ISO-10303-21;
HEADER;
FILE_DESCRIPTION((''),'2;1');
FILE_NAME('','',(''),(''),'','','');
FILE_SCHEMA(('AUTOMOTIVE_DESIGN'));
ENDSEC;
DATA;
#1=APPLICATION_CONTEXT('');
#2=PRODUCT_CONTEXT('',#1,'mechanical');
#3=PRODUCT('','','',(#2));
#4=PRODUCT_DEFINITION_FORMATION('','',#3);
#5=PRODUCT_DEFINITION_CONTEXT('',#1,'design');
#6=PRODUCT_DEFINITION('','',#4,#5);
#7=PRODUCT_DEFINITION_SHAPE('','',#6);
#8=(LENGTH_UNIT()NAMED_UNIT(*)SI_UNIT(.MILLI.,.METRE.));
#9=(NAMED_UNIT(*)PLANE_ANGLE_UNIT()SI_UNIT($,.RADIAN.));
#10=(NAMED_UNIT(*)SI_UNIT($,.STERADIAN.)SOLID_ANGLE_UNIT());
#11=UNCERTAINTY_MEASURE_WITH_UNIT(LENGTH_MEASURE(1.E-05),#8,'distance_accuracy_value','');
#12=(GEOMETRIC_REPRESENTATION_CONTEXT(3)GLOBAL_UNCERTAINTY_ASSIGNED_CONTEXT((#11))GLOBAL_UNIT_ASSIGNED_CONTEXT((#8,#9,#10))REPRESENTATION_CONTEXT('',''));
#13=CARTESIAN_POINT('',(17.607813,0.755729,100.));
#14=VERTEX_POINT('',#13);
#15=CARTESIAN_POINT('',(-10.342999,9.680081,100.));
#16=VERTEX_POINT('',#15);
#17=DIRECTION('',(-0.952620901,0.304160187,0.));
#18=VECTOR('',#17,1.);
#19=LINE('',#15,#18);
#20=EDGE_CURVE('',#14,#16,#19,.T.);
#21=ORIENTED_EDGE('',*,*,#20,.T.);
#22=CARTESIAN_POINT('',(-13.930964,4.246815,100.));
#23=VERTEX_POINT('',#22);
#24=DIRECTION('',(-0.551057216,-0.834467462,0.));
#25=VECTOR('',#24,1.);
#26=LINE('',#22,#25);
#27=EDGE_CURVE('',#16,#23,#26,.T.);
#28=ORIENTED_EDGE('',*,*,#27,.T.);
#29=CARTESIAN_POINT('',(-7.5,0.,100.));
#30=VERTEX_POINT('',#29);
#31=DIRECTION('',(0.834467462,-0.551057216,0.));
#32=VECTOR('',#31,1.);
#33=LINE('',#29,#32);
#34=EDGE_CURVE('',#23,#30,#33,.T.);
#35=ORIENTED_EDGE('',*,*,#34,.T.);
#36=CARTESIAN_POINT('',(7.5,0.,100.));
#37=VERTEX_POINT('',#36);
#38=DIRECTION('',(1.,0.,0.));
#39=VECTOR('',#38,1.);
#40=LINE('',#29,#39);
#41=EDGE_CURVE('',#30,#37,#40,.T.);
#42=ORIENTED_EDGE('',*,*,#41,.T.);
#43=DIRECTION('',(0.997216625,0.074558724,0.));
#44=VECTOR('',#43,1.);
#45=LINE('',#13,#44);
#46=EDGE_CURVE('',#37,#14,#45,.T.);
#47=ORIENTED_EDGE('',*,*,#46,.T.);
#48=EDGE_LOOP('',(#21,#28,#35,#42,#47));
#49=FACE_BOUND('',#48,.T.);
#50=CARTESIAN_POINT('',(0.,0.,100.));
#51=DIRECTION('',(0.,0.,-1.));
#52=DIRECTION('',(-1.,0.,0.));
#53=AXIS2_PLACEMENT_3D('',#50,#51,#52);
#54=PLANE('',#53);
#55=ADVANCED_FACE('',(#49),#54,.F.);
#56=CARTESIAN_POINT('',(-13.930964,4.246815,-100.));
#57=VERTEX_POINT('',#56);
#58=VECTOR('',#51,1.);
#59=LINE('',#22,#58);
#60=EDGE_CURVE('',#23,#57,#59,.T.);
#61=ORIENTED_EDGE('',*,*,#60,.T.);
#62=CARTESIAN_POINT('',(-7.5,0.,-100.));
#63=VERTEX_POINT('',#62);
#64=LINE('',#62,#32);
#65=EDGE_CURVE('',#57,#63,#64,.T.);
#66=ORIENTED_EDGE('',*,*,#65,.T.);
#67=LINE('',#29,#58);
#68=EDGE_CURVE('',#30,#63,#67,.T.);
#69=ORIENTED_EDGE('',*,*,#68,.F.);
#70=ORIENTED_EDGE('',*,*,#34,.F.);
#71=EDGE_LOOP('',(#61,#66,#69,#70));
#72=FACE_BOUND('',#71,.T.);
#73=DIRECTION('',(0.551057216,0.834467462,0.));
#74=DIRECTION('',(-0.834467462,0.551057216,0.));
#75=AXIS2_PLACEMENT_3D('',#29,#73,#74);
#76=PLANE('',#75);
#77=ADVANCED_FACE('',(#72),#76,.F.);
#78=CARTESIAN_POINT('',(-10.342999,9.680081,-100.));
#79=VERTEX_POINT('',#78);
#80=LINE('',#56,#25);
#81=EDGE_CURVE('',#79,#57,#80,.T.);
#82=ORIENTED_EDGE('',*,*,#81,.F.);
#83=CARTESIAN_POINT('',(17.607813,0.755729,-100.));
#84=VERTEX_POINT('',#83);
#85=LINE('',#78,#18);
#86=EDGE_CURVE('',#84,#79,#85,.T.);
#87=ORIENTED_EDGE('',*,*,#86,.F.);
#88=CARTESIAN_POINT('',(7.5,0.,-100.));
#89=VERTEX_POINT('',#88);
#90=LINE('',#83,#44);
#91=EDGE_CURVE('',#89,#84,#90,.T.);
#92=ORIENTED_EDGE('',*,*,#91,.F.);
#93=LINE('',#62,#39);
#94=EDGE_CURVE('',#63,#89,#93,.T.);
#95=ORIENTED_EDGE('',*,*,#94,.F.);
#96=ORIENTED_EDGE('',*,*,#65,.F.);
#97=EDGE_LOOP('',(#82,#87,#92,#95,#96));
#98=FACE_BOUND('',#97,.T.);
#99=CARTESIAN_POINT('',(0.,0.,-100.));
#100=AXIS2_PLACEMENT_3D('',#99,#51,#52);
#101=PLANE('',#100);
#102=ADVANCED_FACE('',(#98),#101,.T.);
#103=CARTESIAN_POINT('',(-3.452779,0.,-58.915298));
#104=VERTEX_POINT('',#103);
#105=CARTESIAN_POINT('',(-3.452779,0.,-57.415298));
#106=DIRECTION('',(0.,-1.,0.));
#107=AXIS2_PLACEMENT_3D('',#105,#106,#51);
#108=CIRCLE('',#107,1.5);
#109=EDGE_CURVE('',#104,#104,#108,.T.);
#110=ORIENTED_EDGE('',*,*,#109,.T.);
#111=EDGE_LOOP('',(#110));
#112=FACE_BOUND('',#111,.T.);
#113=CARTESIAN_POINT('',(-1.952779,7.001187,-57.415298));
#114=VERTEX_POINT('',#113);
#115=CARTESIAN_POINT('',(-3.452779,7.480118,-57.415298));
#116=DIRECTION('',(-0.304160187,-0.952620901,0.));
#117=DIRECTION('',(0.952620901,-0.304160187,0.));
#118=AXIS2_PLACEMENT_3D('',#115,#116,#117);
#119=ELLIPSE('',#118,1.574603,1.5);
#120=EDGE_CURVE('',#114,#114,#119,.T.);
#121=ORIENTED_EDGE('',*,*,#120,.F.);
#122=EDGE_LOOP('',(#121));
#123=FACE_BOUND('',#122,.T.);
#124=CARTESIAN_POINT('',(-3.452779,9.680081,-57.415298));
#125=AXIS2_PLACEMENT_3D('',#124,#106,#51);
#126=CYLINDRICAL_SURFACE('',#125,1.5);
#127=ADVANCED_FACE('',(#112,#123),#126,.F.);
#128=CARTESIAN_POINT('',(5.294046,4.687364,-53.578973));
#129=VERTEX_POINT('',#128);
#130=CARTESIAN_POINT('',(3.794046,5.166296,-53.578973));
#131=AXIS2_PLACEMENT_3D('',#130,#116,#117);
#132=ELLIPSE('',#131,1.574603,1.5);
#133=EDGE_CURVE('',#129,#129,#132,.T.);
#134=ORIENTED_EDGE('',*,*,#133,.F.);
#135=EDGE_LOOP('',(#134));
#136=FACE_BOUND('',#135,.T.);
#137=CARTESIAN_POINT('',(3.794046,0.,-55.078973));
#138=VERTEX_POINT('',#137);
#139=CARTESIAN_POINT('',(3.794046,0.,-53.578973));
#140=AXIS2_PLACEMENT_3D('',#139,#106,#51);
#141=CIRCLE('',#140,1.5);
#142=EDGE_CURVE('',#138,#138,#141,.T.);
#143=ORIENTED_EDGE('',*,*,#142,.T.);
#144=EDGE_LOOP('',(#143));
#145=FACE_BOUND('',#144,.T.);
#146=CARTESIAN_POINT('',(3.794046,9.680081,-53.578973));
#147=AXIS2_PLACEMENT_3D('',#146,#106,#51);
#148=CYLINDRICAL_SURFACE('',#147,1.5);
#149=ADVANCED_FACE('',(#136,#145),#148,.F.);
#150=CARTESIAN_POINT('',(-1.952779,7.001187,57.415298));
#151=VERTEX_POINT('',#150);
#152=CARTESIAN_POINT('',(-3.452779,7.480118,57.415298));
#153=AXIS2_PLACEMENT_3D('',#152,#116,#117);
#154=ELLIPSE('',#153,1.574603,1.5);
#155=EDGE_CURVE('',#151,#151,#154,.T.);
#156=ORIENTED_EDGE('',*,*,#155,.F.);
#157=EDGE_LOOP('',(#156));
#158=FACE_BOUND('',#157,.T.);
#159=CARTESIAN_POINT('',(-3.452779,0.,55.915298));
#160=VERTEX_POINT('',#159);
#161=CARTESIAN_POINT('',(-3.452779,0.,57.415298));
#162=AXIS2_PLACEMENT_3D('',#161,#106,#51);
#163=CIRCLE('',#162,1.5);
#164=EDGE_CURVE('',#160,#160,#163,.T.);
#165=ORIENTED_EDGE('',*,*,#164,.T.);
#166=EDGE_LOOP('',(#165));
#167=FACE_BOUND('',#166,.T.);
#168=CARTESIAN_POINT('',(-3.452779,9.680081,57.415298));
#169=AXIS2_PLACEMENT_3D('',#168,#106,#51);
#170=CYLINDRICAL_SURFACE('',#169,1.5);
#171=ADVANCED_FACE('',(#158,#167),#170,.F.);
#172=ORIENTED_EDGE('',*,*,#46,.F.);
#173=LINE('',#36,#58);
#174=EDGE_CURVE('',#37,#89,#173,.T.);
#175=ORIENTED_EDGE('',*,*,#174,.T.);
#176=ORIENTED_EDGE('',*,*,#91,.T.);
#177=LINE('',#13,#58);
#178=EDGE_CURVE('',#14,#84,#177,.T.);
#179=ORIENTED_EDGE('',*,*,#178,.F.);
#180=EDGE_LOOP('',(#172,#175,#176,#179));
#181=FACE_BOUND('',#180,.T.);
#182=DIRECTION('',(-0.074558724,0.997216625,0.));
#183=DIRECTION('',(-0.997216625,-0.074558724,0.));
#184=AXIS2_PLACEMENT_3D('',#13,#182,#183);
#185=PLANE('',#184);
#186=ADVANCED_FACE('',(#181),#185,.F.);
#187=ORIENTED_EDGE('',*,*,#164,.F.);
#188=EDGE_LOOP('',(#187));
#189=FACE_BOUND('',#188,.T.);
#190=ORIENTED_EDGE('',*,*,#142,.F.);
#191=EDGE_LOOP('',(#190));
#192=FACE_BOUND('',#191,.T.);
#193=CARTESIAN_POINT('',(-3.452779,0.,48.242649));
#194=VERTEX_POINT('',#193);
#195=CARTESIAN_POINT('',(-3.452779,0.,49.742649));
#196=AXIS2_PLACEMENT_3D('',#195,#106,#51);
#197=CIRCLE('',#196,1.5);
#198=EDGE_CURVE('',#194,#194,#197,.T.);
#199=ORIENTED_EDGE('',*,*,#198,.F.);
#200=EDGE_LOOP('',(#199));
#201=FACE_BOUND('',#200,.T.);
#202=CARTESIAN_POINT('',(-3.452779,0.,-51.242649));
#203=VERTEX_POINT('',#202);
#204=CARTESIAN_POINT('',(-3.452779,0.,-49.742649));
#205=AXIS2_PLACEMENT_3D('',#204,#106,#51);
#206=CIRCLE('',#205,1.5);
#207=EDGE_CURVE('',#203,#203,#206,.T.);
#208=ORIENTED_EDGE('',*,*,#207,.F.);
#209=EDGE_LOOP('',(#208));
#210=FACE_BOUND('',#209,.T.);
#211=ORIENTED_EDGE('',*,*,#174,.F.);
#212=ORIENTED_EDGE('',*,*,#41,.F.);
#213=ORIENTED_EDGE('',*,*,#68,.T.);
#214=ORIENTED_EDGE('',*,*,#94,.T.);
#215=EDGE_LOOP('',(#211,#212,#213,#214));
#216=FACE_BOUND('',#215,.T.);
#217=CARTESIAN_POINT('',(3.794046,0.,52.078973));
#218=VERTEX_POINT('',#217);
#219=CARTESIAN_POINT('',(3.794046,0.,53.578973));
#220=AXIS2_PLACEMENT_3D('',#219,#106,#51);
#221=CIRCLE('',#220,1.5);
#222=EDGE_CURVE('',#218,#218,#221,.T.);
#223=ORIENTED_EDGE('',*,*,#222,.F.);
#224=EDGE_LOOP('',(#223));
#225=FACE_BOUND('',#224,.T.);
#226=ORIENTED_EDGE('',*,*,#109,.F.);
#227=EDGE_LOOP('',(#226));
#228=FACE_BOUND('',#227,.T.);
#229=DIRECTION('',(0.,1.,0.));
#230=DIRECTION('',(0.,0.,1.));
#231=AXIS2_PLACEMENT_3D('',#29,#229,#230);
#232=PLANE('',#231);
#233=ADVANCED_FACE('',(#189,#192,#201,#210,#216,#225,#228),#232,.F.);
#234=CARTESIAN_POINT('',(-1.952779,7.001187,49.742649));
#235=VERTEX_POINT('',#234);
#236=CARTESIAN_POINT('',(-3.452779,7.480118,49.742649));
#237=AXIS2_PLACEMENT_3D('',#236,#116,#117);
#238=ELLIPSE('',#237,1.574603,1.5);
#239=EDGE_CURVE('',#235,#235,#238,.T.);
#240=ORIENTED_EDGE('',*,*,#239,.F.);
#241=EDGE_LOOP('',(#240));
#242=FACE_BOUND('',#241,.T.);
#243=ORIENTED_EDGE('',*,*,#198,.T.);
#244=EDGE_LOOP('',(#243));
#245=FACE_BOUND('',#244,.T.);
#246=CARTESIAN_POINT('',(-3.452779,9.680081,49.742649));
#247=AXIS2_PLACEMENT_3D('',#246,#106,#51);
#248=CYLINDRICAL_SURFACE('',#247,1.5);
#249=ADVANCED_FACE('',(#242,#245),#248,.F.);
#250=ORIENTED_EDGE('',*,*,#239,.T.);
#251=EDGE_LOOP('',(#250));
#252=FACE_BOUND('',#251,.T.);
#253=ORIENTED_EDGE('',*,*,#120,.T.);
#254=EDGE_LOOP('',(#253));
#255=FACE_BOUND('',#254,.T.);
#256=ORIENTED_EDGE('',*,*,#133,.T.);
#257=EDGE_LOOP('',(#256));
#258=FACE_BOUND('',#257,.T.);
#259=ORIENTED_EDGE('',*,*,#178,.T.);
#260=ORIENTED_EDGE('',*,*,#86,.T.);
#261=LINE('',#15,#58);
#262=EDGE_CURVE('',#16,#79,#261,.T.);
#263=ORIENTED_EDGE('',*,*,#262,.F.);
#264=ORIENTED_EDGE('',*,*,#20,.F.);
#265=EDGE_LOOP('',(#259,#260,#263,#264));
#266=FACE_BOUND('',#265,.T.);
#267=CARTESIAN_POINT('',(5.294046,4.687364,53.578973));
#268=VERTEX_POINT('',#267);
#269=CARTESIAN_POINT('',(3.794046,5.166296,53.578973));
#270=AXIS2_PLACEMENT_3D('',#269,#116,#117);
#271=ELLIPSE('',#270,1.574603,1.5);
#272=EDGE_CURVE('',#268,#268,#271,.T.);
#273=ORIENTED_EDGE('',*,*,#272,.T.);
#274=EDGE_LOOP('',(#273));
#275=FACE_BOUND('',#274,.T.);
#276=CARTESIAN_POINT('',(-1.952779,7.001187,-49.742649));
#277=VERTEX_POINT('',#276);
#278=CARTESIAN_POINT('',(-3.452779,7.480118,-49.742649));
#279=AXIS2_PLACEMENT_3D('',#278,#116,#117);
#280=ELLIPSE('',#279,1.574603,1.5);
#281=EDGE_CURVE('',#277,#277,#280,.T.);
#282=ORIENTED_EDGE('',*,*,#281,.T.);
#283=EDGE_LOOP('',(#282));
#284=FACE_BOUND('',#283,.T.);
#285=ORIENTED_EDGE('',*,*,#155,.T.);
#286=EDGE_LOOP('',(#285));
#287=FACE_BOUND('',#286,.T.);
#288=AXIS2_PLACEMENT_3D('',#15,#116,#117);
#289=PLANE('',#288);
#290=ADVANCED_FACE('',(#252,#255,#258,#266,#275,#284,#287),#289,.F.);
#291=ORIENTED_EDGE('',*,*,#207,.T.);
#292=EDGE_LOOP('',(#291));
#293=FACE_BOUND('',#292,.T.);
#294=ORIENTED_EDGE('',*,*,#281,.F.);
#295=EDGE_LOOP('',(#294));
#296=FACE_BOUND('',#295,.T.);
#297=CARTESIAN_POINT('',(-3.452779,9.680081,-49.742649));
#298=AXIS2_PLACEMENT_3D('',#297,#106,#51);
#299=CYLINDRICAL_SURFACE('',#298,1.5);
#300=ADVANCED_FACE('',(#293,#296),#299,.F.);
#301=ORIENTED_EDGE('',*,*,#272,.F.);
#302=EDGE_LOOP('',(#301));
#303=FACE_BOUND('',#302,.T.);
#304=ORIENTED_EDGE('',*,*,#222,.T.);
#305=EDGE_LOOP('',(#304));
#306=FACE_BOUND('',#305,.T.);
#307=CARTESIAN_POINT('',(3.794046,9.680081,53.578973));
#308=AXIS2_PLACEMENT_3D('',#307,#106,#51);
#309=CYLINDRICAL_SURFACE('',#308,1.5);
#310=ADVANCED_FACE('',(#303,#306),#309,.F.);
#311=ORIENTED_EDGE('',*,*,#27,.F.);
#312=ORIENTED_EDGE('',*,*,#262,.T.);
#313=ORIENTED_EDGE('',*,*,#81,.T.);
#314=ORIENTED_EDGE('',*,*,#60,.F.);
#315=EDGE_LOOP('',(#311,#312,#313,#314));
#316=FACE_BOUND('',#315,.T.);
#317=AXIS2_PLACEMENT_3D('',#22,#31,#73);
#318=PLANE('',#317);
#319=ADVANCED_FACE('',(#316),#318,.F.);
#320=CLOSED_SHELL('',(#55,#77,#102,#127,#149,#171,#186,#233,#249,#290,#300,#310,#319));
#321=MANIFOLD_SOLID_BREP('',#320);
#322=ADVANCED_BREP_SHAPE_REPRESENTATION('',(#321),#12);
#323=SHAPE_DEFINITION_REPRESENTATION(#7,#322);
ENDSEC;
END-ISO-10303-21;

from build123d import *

# Parameters (mm, degrees)
EXTRUDE_1_DEPTH     = 100
SKETCH_2_R          = 1.5
CUT_EXTRUDE_1_DEPTH = 102.998720838


with BuildPart() as part:
    # 草图1 → 凸台-拉伸1 (new, symmetric)
    with BuildSketch(Plane.XY):
        Polygon((-7.5, 0), (7.5, 0), (17.60781312, 0.755729128), (-10.342998863, 9.680081085), (-13.930964167, 4.246815329), align=None)
    extrude(amount=EXTRUDE_1_DEPTH, both=True)

    # 草图2 → 切除-拉伸1 (cut, through all)
    with BuildSketch(Plane.XZ):
        with Locations(Location((3.794045685, 53.578973455, 0), (0, 0, 270))):
            Circle(SKETCH_2_R)
        with Locations(Location((3.794045685, -53.578973455, 0), (0, 0, 270))):
            Circle(SKETCH_2_R)
        with Locations(Location((-3.452778586, 57.415298026, 0), (0, 0, 270))):
            Circle(SKETCH_2_R)
        with Locations(Location((-3.452778586, 49.742648885, 0), (0, 0, 270))):
            Circle(SKETCH_2_R)
        with Locations(Location((-3.452778586, -49.742648885, 0), (0, 0, 270))):
            Circle(SKETCH_2_R)
        with Locations(Location((-3.452778586, -57.415298026, 0), (0, 0, 270))):
            Circle(SKETCH_2_R)
    extrude(amount=-CUT_EXTRUDE_1_DEPTH, mode=Mode.SUBTRACT)


solid = part.part
